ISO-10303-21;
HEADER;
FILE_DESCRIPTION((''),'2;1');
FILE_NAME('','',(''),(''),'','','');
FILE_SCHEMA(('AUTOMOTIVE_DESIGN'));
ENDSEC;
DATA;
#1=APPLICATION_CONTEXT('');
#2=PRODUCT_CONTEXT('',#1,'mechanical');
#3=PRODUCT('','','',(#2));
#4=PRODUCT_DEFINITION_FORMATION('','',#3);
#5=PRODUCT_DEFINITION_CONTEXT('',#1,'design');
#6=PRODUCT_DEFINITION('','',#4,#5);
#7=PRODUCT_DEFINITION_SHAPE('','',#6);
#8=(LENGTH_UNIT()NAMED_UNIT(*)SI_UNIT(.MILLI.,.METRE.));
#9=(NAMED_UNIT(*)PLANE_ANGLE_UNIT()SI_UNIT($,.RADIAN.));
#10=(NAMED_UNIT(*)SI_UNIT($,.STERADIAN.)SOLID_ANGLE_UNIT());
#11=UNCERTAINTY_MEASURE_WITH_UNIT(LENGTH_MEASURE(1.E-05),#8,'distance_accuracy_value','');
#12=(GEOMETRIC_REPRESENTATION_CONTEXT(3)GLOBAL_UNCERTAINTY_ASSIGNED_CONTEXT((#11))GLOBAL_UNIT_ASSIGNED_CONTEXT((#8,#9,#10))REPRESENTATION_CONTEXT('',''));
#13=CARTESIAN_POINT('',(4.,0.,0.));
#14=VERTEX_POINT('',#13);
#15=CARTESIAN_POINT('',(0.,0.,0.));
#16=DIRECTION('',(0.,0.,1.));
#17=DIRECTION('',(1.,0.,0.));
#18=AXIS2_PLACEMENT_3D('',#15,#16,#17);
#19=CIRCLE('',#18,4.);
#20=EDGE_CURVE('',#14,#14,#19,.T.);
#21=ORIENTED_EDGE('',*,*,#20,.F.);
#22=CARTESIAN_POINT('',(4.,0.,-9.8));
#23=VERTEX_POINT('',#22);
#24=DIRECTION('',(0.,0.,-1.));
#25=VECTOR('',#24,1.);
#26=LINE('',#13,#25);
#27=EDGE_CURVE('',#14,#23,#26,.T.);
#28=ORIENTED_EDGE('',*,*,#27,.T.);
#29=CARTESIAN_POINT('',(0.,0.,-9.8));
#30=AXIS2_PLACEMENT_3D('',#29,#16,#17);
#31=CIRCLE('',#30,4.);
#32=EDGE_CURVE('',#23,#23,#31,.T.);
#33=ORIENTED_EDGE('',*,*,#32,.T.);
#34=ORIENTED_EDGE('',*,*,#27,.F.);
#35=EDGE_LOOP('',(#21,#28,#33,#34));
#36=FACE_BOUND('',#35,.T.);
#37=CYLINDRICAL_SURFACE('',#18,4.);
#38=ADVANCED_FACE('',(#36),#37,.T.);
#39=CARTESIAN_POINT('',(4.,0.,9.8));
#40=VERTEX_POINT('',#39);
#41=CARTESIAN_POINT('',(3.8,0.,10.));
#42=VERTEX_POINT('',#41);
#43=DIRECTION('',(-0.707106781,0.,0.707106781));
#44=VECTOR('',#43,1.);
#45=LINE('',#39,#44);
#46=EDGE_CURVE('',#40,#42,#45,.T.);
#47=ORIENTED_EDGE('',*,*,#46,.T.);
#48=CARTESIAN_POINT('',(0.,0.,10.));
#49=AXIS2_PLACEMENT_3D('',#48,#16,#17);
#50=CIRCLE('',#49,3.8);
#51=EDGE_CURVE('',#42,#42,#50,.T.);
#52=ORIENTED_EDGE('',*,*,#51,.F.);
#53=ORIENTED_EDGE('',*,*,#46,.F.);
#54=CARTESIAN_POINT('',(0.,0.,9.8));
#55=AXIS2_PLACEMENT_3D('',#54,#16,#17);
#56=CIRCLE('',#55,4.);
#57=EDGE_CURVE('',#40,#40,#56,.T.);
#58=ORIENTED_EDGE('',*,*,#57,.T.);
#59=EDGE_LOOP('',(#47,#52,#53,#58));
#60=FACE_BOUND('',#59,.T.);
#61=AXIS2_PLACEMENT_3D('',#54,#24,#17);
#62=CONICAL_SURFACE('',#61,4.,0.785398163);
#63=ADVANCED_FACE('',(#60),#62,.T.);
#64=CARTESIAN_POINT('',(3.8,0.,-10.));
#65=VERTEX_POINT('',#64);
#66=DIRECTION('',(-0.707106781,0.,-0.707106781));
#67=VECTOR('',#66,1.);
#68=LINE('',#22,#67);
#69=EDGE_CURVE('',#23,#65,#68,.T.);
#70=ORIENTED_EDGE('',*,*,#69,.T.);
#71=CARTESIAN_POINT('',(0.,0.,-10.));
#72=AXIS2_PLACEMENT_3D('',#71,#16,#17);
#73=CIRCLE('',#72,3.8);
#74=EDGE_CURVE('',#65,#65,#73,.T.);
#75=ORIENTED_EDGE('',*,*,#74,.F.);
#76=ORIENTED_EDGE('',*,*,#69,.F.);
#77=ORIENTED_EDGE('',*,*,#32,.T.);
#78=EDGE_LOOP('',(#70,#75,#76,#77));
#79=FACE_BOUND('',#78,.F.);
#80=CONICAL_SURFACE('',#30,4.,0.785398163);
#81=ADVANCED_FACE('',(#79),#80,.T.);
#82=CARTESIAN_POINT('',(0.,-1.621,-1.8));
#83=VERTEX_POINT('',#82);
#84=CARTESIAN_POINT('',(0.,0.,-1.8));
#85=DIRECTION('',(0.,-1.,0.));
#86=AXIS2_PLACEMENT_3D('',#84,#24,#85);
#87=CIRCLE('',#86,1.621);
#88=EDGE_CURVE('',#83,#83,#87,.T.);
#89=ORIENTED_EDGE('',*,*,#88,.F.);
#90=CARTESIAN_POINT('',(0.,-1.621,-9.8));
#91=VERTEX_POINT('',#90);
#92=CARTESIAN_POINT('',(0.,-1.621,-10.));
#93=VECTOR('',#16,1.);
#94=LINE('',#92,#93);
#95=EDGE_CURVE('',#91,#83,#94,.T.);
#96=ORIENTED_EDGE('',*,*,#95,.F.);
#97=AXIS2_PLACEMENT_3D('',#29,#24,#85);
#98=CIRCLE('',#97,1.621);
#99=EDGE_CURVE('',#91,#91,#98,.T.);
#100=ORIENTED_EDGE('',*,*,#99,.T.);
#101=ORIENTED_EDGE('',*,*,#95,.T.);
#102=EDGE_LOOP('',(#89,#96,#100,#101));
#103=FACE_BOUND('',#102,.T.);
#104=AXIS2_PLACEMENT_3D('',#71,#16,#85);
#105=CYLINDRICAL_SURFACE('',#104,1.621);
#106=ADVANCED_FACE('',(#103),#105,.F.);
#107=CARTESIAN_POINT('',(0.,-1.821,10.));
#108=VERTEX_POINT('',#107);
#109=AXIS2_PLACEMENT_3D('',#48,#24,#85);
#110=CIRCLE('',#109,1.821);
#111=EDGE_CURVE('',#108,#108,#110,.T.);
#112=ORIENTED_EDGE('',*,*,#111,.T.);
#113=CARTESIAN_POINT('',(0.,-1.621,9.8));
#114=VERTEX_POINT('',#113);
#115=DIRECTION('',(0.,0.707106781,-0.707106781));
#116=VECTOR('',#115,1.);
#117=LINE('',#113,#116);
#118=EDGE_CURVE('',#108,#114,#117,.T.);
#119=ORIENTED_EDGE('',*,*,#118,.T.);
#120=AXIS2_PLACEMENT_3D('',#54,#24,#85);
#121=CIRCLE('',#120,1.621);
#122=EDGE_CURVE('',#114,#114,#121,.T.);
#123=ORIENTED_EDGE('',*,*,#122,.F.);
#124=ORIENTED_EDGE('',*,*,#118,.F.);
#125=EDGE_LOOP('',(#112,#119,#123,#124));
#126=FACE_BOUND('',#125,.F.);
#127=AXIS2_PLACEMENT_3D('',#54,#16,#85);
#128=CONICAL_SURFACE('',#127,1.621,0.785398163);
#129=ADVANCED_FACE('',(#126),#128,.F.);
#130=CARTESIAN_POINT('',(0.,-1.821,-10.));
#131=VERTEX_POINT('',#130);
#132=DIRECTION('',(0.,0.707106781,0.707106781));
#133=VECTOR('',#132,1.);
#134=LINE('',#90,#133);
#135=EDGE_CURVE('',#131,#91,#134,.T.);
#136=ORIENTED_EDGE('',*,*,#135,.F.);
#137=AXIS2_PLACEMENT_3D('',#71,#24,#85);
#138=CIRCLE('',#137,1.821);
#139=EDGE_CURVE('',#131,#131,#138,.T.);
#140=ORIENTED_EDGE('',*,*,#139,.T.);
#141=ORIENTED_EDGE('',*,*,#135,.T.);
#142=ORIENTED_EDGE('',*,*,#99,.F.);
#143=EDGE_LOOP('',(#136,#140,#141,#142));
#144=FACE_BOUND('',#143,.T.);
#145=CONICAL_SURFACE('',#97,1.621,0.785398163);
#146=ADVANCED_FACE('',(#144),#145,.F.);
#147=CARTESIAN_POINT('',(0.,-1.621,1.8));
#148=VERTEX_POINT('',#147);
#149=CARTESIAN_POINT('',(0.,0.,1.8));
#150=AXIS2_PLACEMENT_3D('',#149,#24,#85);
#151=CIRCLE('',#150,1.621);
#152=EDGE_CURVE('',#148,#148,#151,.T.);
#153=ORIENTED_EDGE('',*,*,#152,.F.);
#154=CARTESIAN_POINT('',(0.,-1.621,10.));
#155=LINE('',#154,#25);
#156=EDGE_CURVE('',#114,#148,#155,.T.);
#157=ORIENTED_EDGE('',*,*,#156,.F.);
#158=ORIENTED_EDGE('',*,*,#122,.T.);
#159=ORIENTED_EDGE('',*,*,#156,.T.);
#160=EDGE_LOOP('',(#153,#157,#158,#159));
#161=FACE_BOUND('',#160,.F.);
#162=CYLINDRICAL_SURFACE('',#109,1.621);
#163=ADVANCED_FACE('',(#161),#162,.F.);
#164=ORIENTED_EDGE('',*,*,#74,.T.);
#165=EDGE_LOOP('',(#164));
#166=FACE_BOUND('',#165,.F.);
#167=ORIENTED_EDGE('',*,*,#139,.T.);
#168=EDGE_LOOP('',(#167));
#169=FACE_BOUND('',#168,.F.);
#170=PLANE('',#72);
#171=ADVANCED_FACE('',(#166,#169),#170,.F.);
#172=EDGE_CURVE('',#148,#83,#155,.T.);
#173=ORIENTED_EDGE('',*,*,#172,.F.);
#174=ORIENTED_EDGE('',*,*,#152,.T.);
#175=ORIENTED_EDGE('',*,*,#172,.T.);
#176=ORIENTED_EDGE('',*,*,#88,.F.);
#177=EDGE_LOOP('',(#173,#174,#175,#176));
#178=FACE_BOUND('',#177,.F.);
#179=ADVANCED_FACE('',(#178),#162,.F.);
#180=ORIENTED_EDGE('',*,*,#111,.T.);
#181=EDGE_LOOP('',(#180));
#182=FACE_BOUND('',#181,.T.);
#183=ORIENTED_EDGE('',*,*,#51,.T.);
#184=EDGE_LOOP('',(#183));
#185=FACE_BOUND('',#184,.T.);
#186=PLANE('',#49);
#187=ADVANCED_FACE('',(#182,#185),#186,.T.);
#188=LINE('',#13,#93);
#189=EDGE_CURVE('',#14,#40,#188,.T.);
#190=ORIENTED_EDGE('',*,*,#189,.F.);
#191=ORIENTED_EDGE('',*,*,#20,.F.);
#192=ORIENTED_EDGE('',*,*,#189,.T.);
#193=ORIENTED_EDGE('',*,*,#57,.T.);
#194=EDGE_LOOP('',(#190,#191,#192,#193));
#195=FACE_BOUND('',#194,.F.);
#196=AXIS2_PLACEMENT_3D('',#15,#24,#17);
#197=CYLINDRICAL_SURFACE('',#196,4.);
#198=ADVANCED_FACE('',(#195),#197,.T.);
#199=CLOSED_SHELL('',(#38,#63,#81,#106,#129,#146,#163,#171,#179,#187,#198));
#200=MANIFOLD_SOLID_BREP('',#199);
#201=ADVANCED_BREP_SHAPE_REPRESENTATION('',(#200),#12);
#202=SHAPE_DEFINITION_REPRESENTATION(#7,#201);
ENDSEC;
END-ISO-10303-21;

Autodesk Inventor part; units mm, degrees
ref_plane "YZ Plane" through (0, 0, 0) normal (1, 0, 0) x (0, 1, 0)
ref_plane "XZ Plane" through (0, 0, 0) normal (0, 1, 0) x (-1, 0, 0)
ref_plane "XY Plane" through (0, 0, 0) normal (0, 0, 1) x (1, 0, 0)
sketch "スケッチ1" plane through (0, 0, 0) normal (0, 0, 1) x (1, 0, 0)
  circle A0 centre (0, 0) radius 4
  dimension "d13" = 8
extrude "押し出し1" add sketch "スケッチ1" along normal mid plane 20
sketch "スケッチ2" plane through (0, 0, 10) normal (0, 0, 1) x (1, 0, 0)
  point P0 (0, 0)
  point P1 (0, 0)
hole "穴1" at (0, 0, 10) direction (0, 0, -1) diameter 3.242 depth 11.8 tip angle 118 thread size "M4x0.7" class "6H" standard "ANSI Metric M Profile"
mirror "ミラー1" about plane through (0, 0, 0) normal (0, 0, 1) of "穴1"
chamfer "面取り1" distance 0.2 angle 45 4 edges at (0, 1.621, 10) (-4, 0, 10) (-4, 0, -10) (0, 1.621, -10)
properties part number "unir-spacer4" material "鋼、炭素鋼"
